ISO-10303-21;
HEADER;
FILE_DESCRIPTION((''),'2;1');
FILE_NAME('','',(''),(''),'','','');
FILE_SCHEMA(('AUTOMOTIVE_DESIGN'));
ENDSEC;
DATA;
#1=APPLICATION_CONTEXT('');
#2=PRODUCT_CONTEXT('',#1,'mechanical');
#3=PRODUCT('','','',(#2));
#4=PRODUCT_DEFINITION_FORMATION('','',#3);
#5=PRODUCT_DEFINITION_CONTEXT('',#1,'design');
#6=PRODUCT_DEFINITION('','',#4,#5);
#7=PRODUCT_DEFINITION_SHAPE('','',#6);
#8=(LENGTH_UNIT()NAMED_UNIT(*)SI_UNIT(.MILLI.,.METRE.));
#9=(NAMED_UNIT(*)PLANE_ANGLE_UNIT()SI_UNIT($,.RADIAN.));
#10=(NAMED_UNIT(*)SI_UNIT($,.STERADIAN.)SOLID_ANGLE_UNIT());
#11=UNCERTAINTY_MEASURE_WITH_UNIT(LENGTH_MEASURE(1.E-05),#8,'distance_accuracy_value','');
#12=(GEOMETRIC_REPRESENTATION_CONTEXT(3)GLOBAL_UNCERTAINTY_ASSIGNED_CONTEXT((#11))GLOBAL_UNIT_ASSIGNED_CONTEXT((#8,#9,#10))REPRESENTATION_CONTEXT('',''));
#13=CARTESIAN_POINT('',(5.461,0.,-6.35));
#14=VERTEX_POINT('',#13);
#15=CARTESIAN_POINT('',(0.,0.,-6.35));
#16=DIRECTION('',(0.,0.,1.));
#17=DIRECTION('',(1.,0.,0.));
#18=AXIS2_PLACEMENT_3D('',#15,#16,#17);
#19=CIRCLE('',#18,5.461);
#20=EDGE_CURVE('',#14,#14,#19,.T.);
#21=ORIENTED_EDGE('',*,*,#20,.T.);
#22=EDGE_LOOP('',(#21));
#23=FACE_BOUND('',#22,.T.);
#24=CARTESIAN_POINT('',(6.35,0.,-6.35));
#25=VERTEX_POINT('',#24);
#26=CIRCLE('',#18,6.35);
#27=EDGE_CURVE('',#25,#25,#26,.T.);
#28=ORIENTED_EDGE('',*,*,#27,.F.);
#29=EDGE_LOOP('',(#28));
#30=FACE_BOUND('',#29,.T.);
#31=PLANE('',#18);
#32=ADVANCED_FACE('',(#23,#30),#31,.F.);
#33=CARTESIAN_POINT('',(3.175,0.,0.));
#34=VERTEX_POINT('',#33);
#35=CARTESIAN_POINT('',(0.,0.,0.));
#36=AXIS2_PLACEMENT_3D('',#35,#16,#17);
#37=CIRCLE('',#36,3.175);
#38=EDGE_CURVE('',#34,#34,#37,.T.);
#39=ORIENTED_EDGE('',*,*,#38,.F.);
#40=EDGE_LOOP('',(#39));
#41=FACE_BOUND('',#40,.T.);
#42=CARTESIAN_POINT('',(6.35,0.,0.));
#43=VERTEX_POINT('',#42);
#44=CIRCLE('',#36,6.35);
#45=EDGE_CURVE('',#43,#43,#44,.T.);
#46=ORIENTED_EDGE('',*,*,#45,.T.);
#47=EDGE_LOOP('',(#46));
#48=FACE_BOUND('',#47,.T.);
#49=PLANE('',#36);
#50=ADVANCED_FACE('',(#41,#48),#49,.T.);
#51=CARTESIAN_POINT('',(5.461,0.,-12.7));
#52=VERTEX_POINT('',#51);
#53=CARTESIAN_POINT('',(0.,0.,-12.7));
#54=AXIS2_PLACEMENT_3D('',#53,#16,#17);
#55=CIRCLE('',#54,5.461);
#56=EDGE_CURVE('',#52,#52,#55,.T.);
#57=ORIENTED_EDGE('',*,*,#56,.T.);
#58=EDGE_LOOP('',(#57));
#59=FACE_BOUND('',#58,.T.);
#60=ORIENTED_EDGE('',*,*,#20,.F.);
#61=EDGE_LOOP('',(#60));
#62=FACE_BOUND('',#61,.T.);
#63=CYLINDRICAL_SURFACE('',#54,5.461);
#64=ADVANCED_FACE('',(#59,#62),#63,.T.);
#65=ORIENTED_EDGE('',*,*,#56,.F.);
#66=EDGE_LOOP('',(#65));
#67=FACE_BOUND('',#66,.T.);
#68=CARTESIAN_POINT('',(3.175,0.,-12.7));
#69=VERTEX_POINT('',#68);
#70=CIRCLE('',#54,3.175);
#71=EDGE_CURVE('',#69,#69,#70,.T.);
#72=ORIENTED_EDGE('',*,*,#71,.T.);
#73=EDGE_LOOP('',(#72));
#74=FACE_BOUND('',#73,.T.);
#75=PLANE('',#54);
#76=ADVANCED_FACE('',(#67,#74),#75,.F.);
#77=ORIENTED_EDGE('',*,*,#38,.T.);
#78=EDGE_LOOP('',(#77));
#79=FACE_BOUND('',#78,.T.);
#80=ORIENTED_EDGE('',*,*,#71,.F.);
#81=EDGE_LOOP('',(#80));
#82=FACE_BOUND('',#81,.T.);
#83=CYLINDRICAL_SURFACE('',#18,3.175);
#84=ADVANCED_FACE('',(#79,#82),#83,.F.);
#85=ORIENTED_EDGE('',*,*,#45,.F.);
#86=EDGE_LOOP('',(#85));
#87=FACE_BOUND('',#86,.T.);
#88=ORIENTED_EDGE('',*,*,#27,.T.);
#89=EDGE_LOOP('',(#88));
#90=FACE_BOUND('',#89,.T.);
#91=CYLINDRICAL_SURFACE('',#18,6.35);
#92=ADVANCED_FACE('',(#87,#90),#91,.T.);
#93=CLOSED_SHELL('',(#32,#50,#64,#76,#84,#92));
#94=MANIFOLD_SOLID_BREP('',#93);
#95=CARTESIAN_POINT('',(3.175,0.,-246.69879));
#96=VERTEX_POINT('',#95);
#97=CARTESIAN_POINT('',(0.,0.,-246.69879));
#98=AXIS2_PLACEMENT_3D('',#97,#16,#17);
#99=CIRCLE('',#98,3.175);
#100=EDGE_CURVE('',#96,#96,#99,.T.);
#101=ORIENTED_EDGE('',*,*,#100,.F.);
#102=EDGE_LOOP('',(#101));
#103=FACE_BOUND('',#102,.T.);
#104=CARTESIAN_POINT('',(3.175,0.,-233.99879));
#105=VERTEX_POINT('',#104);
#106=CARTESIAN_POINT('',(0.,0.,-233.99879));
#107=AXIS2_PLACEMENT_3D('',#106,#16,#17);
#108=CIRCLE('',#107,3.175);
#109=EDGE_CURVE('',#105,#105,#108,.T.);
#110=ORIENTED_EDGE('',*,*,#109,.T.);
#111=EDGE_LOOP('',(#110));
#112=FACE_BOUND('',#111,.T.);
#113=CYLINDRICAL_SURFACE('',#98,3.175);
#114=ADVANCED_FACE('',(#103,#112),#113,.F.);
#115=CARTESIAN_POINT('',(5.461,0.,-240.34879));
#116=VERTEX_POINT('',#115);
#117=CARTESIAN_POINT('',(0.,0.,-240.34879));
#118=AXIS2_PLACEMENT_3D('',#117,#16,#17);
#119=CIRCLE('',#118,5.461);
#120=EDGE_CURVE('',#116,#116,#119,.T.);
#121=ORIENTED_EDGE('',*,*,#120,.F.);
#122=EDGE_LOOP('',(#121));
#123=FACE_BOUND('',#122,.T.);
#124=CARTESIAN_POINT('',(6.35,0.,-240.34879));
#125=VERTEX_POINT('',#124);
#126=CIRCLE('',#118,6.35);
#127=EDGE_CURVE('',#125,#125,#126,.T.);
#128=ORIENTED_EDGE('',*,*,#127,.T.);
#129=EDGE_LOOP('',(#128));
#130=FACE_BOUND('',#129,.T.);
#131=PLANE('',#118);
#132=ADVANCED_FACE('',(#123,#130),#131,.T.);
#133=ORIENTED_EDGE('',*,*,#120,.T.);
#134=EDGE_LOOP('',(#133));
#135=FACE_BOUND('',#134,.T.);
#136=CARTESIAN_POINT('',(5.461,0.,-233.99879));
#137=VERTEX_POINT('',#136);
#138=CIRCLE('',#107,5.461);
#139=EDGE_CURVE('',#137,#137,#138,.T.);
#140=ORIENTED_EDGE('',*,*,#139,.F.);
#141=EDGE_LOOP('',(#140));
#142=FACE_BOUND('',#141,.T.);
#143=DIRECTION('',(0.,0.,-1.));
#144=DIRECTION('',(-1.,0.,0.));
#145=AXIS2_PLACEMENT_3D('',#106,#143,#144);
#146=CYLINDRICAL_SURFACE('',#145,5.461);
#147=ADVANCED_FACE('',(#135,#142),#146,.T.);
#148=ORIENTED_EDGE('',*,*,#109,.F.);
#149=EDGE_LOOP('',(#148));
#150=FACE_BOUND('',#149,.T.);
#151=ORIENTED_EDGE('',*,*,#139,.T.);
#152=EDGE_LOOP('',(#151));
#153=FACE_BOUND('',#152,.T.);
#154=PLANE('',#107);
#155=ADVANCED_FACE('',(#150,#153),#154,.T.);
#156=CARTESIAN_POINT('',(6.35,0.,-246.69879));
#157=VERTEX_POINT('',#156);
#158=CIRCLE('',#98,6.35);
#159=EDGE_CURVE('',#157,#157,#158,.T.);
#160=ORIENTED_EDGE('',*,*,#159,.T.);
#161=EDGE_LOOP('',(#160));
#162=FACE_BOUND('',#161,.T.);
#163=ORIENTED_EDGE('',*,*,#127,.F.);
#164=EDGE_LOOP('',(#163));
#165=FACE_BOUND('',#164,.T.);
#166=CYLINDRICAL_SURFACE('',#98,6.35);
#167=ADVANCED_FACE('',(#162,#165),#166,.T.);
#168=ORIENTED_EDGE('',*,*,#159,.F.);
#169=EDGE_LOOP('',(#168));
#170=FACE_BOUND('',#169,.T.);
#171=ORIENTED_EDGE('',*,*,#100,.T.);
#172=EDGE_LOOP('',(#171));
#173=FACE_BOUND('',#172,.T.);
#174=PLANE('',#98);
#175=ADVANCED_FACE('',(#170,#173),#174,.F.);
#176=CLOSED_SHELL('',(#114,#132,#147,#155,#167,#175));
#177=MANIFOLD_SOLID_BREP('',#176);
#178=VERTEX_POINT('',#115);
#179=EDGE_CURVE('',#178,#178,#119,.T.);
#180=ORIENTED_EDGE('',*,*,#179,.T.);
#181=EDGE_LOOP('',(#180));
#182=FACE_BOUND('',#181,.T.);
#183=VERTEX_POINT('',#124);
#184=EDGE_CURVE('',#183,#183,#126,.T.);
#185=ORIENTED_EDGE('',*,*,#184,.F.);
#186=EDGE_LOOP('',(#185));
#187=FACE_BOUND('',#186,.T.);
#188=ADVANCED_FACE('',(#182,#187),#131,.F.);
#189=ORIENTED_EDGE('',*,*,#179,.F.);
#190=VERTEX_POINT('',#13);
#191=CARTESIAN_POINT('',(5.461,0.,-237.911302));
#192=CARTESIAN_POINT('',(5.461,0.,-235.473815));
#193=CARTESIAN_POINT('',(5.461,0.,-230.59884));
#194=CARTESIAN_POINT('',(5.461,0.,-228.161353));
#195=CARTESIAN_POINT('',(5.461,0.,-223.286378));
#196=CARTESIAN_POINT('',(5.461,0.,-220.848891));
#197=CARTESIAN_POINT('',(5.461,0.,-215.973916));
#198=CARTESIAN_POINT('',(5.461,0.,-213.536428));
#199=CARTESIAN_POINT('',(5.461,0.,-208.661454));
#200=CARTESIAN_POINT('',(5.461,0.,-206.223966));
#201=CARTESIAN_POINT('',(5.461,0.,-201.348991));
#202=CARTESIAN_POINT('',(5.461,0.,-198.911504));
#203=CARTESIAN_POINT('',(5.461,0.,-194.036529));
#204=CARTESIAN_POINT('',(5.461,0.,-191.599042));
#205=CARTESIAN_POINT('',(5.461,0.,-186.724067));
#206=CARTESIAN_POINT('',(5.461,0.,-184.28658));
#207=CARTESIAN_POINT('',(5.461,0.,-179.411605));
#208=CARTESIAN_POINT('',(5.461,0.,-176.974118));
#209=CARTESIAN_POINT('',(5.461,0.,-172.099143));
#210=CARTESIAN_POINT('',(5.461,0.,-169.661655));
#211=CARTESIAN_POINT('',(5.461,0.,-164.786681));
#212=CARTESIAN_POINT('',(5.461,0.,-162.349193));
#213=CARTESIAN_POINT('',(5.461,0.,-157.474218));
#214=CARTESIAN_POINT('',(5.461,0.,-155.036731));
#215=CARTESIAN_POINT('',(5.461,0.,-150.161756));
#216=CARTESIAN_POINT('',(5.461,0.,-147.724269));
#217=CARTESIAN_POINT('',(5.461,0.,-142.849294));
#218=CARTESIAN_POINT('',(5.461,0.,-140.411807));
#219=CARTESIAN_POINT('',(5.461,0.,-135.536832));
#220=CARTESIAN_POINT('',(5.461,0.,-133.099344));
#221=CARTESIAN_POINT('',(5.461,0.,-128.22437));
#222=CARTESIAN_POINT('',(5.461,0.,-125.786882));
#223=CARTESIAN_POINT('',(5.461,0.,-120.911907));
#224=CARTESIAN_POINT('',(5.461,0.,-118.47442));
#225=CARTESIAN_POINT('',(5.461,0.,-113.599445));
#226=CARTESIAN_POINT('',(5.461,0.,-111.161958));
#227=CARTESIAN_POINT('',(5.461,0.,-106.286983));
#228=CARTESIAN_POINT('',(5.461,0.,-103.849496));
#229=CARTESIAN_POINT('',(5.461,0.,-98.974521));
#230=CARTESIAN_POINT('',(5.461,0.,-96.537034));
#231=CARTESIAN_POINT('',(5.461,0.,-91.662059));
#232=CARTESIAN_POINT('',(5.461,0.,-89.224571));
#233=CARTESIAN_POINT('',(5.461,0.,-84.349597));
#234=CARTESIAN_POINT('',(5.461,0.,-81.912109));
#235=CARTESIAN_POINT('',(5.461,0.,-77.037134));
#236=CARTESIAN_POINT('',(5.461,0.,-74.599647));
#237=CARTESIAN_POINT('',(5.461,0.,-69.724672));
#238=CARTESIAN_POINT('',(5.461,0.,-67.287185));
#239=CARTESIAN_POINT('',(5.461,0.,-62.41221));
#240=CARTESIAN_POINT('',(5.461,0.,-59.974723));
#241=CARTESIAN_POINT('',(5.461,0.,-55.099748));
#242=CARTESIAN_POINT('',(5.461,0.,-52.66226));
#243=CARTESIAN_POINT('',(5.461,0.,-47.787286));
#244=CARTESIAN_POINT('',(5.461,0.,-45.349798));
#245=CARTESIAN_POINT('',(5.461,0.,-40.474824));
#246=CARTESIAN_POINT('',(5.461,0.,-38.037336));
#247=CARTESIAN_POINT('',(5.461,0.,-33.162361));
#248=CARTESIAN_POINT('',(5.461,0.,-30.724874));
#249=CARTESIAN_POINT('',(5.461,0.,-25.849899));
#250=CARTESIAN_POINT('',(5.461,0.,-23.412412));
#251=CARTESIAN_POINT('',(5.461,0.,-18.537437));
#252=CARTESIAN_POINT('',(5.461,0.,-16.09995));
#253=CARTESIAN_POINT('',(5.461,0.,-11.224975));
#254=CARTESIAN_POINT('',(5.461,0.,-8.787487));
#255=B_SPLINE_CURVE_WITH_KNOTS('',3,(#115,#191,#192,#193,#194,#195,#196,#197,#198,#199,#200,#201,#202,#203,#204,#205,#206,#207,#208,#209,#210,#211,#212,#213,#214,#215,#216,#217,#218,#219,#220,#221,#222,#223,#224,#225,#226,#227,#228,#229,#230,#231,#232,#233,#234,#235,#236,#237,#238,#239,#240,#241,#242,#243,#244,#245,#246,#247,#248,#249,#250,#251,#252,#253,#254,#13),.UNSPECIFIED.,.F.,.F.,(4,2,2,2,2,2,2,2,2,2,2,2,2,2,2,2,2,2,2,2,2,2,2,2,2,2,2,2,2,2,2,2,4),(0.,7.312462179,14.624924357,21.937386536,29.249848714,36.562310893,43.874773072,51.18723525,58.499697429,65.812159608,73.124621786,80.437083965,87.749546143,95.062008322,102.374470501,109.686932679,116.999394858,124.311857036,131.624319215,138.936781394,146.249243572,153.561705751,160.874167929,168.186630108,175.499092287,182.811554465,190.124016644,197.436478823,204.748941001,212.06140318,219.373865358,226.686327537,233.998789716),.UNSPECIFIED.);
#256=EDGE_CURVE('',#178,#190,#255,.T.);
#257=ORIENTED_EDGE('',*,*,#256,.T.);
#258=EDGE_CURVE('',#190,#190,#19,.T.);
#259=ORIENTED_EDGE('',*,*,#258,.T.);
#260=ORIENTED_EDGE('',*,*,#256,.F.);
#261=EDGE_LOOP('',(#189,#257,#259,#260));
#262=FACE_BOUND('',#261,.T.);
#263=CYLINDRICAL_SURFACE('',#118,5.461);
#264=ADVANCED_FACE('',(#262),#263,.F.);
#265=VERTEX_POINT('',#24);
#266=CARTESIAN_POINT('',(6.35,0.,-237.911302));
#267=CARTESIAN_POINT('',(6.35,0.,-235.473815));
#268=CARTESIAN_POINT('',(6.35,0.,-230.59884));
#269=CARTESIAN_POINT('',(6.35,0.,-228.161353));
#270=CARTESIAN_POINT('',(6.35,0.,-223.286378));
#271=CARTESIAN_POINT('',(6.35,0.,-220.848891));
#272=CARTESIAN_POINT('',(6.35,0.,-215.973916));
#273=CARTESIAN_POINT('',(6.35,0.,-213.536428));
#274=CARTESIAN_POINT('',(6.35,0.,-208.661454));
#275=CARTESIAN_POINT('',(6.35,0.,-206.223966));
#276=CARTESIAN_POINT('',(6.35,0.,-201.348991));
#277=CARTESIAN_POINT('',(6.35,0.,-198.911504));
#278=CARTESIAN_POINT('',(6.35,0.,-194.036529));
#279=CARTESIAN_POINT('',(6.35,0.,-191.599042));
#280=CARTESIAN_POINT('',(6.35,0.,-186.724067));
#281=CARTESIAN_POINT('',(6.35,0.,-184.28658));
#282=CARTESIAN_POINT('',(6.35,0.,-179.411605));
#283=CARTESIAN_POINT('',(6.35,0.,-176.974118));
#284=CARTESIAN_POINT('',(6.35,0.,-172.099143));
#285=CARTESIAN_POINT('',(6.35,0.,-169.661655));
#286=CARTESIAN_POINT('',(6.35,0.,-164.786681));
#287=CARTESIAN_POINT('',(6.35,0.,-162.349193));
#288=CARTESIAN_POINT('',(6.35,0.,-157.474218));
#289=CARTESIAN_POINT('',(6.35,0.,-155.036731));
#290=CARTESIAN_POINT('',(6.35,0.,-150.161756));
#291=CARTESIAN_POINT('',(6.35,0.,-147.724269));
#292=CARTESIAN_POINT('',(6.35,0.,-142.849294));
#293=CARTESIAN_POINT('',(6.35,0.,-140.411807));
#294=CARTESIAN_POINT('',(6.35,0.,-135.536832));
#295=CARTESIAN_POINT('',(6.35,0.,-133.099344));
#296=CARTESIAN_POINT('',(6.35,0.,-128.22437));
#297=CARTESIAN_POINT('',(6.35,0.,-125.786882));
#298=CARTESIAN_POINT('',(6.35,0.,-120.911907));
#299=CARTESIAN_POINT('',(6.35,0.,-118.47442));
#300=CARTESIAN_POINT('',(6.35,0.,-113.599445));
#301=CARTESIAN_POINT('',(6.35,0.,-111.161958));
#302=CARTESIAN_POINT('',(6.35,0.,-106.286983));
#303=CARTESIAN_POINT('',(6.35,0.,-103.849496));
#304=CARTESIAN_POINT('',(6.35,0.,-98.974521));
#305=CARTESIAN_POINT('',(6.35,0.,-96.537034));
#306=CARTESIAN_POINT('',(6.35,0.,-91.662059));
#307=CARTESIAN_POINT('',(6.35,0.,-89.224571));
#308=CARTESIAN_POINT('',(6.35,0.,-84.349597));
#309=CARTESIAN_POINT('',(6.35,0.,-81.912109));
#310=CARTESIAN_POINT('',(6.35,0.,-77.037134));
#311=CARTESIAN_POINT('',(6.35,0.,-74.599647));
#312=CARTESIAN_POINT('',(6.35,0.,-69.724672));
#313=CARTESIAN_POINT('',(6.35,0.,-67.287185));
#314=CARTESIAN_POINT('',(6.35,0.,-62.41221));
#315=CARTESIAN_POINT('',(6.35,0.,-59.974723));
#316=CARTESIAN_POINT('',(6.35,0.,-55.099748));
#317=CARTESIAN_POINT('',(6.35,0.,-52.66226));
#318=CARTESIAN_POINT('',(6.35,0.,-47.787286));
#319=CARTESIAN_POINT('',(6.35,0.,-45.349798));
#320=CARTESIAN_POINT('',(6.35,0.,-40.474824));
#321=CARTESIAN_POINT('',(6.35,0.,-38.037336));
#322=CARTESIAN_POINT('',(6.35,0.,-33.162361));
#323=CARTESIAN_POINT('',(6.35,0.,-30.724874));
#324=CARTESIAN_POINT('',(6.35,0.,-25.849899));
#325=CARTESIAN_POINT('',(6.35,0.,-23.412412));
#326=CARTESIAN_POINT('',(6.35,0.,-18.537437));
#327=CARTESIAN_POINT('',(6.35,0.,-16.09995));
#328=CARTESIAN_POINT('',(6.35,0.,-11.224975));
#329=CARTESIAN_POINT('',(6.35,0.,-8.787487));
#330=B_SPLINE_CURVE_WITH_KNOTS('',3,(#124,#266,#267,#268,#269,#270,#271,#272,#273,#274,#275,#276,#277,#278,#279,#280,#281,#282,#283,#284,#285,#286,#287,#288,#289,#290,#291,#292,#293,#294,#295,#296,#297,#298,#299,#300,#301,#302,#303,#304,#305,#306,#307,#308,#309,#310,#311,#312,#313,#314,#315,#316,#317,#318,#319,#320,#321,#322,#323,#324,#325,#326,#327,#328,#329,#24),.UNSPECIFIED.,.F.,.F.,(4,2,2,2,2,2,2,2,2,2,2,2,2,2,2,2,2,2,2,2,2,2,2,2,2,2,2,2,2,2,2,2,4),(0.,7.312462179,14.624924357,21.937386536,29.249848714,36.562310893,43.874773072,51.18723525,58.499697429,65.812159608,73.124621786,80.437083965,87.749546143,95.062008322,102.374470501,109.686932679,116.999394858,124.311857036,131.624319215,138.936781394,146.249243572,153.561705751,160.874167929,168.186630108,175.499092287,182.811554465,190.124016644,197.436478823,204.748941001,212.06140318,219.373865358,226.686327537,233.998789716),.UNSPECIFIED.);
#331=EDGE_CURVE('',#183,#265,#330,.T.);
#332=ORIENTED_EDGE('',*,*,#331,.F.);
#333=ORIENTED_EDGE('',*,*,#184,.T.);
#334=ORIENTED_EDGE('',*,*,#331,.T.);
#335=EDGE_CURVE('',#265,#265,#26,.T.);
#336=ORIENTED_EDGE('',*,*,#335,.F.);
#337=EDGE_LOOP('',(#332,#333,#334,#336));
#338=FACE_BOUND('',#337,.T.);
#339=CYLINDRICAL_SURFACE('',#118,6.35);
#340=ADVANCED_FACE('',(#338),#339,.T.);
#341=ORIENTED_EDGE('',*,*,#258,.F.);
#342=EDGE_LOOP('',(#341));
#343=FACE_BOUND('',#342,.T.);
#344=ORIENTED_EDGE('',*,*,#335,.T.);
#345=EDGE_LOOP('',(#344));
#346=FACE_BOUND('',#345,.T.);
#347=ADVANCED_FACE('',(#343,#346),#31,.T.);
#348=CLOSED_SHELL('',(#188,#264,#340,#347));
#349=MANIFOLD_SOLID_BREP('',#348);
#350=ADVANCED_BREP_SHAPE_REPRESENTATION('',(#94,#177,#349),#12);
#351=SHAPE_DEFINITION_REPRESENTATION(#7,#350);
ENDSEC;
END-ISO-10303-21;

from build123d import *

# Parameters (mm, degrees)
SKETCH1_R                 = 6.35
SKETCH1_R_2               = 5.461
SKETCH1_R_3               = 3.175
THREADED_INSERT_1_1_DEPTH = 6.35
THREADED_START            = -6.35
SKETCH1_3_R               = 5.461
SKETCH1_3_R_2             = 3.175
THREADED_INSERT_1_2_DEPTH = 6.35
TUBE_START                = -6.35
SKETCH1_4_R               = 6.35
SKETCH1_4_R_2             = 5.461
TUBE_EXTRUDE_DEPTH        = 233.99879
THREADED_START_2          = -240.34879
SKETCH1_6_R               = 5.461
SKETCH1_6_R_2             = 3.175
THREADED_INSERT_2_1_DEPTH = 6.35
SKETCH1_9_R               = 6.35
SKETCH1_9_R_2             = 5.461
SKETCH1_9_R_3             = 3.175
THREADED_INSERT_2_2_DEPTH = 6.35


with BuildPart() as part:
    # Sketch1 → Threaded insert 1-1 (new body)
    # profile 1 of 2: a face of its own
    with BuildSketch(Plane.XY):
        Circle(SKETCH1_R)
        Circle(SKETCH1_R_2, mode=Mode.SUBTRACT)
    # profile 2 of 2: a face of its own
    with BuildSketch(Plane.XY):
        Circle(SKETCH1_R_2)
        Circle(SKETCH1_R_3, mode=Mode.SUBTRACT)
    extrude(amount=-THREADED_INSERT_1_1_DEPTH)

    # Sketch1<3> → Threaded insert 1-2 (add)
    with BuildSketch(Plane.XY.offset(THREADED_START)):
        Circle(SKETCH1_3_R)
        Circle(SKETCH1_3_R_2, mode=Mode.SUBTRACT)
    extrude(amount=-THREADED_INSERT_1_2_DEPTH)


with BuildPart() as body_2:
    # Sketch1<4> → Tube extrude (new body)
    with BuildSketch(Plane.XY.offset(TUBE_START)):
        Circle(SKETCH1_4_R)
        Circle(SKETCH1_4_R_2, mode=Mode.SUBTRACT)
    extrude(amount=-TUBE_EXTRUDE_DEPTH)


with BuildPart() as body_3:
    # Sketch1<6> → Threaded insert 2-1 (new body)
    with BuildSketch(Plane.XY.offset(THREADED_START_2)):
        Circle(SKETCH1_6_R)
        Circle(SKETCH1_6_R_2, mode=Mode.SUBTRACT)
    extrude(amount=THREADED_INSERT_2_1_DEPTH)


with BuildPart() as body_4:
    # Sketch1<9> → Threaded insert 2-2 (new body)
    # profile 1 of 2: a face of its own
    with BuildSketch(Plane.XY.offset(THREADED_START_2)):
        Circle(SKETCH1_9_R)
        Circle(SKETCH1_9_R_2, mode=Mode.SUBTRACT)
    # profile 2 of 2: a face of its own
    with BuildSketch(Plane.XY.offset(THREADED_START_2)):
        Circle(SKETCH1_9_R_2)
        Circle(SKETCH1_9_R_3, mode=Mode.SUBTRACT)
    extrude(amount=-THREADED_INSERT_2_2_DEPTH)

    # Combine1: union body 3
    add(body_3.part)


solid = Compound([part.part, body_2.part, body_4.part])
